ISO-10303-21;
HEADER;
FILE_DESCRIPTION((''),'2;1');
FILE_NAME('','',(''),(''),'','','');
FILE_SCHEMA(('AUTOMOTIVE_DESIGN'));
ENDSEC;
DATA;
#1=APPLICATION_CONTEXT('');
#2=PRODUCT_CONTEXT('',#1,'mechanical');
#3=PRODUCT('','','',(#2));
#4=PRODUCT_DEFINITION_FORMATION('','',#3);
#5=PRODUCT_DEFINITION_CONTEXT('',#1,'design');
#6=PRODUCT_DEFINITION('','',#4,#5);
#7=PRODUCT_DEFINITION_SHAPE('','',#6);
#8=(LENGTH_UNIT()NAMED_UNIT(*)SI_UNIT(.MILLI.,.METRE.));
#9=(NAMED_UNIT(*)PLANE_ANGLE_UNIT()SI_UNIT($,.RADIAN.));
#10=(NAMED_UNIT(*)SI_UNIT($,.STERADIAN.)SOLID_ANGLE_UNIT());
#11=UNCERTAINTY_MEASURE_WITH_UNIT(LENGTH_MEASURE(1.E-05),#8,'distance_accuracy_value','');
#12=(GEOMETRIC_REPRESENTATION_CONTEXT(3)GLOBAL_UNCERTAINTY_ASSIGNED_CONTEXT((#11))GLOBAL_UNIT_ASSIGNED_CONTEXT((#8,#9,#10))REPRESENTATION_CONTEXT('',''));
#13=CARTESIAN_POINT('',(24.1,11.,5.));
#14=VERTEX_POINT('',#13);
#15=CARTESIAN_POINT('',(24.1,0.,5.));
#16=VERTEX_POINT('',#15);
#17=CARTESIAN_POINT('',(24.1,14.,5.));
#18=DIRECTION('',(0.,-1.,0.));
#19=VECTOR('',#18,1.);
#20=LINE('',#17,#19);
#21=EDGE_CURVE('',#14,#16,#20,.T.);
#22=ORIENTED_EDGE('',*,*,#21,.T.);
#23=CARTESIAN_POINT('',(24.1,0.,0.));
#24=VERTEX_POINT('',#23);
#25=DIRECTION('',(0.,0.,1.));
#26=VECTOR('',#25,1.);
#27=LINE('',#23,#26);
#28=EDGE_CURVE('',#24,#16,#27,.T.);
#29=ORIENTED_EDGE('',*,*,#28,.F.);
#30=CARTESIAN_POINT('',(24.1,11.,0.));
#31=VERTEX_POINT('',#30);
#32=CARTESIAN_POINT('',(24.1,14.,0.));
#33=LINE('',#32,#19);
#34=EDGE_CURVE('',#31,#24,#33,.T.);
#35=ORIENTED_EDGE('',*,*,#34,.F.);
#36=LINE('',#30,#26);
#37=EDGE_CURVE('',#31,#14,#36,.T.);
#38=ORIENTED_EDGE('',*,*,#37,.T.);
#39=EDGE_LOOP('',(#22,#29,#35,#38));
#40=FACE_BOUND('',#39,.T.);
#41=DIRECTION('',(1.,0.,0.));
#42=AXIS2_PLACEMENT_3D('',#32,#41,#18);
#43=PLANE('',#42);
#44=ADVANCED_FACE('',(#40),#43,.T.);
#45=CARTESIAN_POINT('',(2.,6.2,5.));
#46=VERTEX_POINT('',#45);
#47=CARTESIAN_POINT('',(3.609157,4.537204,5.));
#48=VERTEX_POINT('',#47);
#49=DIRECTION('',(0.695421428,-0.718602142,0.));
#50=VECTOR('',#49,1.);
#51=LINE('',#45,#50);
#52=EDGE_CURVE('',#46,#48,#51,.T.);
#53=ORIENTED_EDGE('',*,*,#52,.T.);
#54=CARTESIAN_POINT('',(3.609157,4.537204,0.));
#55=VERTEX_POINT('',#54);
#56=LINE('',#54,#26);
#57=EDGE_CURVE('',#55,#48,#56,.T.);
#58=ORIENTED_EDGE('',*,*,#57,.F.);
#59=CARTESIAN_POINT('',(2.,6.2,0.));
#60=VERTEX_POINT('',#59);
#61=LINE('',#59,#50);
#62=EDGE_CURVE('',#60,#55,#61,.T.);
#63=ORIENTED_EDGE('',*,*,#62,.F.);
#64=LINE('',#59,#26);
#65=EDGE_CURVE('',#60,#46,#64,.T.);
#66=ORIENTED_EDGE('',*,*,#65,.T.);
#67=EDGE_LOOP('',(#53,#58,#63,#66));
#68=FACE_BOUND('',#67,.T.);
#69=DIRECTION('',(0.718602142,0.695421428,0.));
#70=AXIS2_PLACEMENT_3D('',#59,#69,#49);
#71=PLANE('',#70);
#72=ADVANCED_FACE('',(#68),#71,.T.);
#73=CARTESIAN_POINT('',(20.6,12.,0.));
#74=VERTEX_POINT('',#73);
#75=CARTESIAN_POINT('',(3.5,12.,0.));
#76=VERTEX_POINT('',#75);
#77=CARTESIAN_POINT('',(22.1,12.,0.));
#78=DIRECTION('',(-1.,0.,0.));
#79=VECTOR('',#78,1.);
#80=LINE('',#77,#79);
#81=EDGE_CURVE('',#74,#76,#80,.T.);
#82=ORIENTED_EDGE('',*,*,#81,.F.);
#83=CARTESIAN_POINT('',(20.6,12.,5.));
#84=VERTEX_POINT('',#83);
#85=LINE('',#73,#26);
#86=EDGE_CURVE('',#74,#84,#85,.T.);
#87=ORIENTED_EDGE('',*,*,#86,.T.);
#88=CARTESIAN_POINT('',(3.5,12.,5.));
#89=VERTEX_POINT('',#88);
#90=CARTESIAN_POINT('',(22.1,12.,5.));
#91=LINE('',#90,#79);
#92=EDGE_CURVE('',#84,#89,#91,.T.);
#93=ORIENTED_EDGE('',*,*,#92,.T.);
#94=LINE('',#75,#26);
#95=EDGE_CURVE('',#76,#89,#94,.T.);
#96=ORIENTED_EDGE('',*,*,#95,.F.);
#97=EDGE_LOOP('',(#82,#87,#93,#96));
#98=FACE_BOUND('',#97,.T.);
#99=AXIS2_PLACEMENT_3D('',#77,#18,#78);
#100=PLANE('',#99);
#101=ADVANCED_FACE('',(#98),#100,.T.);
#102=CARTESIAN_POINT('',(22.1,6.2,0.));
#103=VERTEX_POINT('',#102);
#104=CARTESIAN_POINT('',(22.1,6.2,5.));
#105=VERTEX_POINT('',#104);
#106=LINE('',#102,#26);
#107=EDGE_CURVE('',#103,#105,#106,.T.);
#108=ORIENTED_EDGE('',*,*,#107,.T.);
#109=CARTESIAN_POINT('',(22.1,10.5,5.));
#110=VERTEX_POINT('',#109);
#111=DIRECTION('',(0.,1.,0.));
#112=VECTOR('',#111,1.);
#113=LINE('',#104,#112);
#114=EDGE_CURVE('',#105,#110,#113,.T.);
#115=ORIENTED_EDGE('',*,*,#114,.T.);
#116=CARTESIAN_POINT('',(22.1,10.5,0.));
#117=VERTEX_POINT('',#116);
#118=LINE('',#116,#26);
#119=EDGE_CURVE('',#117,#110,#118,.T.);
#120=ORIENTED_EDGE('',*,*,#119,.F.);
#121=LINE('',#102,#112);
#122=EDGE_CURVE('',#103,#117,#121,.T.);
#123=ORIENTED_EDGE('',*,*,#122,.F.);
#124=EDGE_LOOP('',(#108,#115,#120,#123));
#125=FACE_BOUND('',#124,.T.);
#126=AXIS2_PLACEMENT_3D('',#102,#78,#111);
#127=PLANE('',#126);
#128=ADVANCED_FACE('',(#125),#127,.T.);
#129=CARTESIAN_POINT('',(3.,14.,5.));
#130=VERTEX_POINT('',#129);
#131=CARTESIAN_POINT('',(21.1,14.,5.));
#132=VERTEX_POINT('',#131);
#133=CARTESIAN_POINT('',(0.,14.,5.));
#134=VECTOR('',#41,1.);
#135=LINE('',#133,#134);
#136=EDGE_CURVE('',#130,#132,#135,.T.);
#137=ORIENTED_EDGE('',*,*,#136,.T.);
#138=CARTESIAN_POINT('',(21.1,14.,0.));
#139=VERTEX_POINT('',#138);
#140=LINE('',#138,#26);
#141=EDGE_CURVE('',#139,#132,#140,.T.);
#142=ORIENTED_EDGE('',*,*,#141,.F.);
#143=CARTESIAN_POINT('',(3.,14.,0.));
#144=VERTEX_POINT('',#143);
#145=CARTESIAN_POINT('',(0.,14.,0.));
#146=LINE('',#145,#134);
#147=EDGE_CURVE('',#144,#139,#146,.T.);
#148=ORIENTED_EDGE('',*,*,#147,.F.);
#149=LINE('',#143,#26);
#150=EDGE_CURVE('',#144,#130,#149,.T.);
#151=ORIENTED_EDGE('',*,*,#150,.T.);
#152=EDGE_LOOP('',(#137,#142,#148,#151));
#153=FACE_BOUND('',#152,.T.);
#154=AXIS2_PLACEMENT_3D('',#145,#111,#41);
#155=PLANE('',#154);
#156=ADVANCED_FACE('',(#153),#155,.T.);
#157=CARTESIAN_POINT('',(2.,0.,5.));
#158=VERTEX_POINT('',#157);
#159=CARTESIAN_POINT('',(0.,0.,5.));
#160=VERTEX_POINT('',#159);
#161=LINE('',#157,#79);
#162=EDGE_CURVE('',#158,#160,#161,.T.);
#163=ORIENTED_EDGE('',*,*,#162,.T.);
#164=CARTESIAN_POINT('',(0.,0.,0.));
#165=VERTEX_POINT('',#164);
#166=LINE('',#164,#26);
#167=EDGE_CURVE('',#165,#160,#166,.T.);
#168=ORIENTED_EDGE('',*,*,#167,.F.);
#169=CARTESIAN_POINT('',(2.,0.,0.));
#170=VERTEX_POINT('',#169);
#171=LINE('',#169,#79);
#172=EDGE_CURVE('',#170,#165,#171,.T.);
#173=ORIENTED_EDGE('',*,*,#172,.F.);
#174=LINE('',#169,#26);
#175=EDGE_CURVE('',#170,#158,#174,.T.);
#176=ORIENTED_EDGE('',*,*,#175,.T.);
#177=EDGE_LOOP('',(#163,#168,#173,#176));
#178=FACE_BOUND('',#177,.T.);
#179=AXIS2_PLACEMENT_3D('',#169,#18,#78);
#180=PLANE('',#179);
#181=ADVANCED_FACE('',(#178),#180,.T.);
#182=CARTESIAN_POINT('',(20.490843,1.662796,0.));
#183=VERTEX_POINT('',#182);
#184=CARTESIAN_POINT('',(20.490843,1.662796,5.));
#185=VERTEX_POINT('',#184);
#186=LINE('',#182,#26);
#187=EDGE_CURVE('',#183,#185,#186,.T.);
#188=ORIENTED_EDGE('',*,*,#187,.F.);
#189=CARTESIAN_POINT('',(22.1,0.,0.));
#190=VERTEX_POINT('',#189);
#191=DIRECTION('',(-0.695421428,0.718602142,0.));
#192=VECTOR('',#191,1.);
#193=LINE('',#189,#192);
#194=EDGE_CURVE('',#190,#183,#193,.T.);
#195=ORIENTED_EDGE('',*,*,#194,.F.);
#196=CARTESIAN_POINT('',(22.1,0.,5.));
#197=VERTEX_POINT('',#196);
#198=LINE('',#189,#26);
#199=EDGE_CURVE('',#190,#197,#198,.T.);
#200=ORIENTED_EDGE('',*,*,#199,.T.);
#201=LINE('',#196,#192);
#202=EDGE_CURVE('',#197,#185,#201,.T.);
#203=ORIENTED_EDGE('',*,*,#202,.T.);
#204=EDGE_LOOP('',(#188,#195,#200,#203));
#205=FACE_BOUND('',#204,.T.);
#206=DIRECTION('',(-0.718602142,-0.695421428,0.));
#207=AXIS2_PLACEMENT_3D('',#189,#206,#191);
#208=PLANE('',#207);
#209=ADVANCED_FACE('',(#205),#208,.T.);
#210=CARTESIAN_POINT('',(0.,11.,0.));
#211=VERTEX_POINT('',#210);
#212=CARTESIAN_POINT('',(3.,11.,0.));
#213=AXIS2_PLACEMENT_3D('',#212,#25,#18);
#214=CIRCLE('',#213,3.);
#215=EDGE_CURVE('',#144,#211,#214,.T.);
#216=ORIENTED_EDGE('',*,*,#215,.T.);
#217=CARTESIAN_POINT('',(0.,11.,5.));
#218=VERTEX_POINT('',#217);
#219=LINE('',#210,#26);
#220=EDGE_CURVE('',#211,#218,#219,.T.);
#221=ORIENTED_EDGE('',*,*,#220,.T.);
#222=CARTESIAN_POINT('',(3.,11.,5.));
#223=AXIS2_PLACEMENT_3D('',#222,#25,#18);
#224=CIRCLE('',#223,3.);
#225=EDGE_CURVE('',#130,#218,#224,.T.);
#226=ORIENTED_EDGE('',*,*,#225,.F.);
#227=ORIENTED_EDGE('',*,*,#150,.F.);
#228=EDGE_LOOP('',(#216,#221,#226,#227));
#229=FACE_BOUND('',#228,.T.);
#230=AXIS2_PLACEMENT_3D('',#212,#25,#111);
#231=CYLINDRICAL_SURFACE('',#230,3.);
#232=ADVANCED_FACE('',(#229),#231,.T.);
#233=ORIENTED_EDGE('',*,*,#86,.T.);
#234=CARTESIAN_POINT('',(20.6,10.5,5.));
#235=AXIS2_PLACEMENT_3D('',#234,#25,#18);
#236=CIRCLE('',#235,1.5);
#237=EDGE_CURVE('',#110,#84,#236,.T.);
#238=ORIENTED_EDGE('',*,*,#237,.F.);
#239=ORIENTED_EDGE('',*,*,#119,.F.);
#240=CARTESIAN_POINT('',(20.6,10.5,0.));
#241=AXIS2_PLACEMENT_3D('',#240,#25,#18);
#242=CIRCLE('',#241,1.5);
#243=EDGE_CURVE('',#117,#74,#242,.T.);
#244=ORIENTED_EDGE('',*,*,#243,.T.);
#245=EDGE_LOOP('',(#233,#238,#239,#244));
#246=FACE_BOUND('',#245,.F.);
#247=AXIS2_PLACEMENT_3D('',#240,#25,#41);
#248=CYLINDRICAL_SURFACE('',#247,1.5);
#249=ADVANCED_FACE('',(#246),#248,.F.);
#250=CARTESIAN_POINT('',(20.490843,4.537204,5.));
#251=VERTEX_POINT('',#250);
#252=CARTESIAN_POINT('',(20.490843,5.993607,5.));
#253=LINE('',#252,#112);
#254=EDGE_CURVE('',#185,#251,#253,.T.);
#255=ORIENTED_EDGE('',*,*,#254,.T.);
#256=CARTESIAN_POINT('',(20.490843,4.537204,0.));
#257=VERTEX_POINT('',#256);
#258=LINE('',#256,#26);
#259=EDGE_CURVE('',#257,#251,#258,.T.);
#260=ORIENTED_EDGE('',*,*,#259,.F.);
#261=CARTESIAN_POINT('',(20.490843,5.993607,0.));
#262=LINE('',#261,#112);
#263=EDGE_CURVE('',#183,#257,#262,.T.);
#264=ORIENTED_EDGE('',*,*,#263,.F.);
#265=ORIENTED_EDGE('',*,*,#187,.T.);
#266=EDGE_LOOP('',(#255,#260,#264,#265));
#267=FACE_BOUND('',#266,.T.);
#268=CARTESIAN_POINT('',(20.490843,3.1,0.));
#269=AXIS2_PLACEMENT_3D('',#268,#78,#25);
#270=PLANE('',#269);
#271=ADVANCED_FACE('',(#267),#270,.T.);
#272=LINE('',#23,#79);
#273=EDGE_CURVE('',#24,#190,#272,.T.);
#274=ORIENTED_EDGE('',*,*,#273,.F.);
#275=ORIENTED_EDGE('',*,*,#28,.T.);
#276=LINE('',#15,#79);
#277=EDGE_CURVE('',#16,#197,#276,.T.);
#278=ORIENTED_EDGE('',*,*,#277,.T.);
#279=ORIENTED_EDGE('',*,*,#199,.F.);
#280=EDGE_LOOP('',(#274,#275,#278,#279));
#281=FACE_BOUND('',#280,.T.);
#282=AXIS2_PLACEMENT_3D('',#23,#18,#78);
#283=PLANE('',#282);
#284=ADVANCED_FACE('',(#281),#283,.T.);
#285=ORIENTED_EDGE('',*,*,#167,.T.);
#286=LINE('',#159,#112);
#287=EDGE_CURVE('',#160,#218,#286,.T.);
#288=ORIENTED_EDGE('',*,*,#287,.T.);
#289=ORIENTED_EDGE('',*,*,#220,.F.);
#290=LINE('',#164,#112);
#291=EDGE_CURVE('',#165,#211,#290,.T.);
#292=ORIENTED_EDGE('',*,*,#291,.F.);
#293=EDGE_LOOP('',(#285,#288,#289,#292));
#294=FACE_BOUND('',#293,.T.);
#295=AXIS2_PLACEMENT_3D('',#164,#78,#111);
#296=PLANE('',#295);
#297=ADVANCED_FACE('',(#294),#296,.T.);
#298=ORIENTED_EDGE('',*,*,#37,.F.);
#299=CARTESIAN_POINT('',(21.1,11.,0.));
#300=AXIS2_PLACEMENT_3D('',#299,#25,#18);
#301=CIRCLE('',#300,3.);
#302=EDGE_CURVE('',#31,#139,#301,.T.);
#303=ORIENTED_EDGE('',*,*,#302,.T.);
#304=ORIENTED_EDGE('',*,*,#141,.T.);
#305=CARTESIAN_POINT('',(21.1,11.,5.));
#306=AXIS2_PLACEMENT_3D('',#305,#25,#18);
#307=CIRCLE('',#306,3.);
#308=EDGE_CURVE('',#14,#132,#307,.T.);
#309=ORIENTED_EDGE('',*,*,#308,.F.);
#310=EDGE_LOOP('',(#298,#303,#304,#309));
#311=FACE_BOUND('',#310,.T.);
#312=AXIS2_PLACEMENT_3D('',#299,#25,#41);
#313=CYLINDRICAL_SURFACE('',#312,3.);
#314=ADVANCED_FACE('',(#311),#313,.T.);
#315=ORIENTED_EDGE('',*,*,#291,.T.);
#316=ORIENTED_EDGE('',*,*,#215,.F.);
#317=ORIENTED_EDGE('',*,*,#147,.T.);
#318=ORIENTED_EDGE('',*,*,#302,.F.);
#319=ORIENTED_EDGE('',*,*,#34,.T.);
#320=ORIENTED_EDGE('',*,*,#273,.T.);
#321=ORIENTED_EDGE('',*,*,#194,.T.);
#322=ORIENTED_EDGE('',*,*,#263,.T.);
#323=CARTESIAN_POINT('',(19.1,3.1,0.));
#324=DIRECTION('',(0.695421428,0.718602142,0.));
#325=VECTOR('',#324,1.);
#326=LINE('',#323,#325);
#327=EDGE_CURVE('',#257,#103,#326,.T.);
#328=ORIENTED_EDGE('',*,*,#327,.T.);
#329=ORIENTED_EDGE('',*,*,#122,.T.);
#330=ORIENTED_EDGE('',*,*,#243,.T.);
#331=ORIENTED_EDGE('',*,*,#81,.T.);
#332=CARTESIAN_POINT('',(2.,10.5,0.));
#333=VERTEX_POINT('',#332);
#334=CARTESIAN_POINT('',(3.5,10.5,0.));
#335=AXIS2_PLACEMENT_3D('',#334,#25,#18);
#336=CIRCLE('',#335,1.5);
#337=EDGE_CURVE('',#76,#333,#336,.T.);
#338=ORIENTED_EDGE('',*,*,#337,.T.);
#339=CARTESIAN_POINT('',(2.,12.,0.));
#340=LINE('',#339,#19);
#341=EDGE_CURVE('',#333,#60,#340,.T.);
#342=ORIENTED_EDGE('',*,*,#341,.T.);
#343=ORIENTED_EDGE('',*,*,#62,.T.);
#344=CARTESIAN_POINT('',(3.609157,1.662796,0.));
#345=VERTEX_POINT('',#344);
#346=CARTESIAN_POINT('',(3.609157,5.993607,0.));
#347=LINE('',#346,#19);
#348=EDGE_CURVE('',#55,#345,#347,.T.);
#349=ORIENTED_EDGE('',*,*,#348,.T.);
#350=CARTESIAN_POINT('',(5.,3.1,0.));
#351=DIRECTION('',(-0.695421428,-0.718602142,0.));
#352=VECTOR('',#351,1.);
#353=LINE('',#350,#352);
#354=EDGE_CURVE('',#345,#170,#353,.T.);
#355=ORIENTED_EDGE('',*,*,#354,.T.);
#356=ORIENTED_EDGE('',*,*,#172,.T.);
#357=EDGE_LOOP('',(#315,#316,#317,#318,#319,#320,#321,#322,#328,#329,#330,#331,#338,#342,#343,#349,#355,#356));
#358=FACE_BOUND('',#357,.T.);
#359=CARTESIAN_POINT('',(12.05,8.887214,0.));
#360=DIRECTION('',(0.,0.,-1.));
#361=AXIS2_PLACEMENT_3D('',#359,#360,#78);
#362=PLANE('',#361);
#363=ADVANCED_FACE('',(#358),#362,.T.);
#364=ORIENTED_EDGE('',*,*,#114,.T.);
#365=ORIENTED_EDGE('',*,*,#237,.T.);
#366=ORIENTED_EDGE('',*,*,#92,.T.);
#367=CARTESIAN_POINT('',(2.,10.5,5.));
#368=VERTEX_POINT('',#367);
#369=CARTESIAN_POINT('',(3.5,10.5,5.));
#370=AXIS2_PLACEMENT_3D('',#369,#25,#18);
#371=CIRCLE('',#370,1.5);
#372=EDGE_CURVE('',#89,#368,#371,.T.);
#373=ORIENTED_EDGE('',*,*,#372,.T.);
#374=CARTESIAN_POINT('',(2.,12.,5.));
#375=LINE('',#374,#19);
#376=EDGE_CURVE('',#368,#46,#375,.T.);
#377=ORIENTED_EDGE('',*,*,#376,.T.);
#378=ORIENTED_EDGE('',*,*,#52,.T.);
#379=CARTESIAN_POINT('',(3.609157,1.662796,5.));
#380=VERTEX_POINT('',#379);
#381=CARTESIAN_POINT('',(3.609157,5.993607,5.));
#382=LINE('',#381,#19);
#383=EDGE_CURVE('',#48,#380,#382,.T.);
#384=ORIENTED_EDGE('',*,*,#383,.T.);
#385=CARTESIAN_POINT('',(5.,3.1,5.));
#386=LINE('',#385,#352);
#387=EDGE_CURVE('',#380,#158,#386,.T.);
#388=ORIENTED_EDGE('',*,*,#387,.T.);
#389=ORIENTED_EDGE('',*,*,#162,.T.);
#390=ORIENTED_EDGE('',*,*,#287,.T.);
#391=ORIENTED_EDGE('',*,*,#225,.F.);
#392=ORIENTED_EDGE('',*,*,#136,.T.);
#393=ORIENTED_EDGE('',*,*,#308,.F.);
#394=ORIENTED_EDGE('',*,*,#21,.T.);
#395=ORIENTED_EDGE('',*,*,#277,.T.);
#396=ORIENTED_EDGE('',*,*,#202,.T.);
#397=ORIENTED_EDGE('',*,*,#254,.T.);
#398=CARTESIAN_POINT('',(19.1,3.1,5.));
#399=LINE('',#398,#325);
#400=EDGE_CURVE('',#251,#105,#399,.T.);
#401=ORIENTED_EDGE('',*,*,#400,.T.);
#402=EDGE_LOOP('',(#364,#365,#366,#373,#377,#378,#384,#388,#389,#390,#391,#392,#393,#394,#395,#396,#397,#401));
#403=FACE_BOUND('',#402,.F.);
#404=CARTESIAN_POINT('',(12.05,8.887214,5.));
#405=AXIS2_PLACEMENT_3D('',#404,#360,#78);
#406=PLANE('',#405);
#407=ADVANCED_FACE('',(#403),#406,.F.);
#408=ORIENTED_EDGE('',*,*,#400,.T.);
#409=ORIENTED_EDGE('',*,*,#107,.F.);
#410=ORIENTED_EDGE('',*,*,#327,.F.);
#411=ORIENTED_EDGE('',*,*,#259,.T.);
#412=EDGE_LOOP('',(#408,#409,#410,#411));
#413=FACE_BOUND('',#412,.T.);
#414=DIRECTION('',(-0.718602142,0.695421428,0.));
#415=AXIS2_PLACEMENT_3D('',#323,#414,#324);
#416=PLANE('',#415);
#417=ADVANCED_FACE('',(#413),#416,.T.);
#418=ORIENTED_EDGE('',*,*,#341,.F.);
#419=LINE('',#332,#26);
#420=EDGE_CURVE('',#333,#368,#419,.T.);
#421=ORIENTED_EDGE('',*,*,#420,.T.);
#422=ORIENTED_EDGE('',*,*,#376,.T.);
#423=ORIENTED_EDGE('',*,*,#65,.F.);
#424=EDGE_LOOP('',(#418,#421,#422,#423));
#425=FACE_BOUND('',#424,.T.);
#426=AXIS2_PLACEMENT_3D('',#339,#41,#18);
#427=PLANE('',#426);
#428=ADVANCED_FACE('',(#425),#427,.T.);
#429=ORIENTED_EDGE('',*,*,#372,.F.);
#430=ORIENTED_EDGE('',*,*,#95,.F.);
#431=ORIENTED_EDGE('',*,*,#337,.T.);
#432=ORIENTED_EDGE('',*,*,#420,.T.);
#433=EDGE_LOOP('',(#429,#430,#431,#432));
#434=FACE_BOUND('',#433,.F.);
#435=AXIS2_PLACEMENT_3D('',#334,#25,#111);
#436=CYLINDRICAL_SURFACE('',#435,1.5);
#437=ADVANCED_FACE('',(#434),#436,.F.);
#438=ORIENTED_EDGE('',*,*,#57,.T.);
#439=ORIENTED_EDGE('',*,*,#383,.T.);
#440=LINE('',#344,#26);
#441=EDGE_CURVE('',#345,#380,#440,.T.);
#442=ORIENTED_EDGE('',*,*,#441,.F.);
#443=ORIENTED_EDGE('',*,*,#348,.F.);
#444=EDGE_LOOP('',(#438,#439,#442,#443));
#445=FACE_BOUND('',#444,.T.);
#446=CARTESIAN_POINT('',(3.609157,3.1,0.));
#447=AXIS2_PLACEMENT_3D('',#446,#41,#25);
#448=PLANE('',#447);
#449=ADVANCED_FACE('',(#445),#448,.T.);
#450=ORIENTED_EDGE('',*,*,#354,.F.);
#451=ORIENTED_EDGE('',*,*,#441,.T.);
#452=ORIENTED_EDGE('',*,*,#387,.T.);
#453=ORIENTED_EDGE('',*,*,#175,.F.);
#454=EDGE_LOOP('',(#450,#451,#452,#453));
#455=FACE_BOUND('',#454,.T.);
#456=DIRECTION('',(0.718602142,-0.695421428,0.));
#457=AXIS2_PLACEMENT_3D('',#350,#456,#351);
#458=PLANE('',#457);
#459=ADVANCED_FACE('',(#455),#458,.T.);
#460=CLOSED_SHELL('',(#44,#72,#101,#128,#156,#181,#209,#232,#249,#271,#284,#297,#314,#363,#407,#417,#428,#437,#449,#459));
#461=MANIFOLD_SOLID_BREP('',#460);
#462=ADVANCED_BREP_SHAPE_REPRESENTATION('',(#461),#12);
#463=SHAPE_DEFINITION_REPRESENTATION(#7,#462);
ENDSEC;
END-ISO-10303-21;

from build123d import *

# Parameters (mm, degrees)
PAD_DEPTH    = 5
CHAMFER_SIZE = 2
FILLET_R     = 1.5
FILLET001_R  = 3


with BuildPart() as part:
    # Sketch → Pad (new body)
    with BuildSketch(Plane.XY):
        Polygon((0, 0), (0, 14), (24.1, 14), (24.1, 0), (22.1, 0), (19.1, 3.1), (22.1, 6.2), (22.1, 12), (2, 12), (2, 6.2), (5, 3.1), (2, 0), align=None)
    extrude(amount=PAD_DEPTH)

    # Chamfer
    chamfer_edges = [part.edges().sort_by_distance(p)[0] for p in [
        (5, 3.1, 2.5),
        (19.1, 3.1, 2.5),
    ]]
    chamfer(chamfer_edges, length=CHAMFER_SIZE)

    # Fillet
    fillet_edges = [part.edges().sort_by_distance(p)[0] for p in [
        (2, 12, 2.5),
        (22.1, 12, 2.5),
    ]]
    fillet(fillet_edges, radius=FILLET_R)

    # Fillet001
    fillet001_edges = [part.edges().sort_by_distance(p)[0] for p in [
        (0, 14, 2.5),
        (24.1, 14, 2.5),
    ]]
    fillet(fillet001_edges, radius=FILLET001_R)


solid = part.part
